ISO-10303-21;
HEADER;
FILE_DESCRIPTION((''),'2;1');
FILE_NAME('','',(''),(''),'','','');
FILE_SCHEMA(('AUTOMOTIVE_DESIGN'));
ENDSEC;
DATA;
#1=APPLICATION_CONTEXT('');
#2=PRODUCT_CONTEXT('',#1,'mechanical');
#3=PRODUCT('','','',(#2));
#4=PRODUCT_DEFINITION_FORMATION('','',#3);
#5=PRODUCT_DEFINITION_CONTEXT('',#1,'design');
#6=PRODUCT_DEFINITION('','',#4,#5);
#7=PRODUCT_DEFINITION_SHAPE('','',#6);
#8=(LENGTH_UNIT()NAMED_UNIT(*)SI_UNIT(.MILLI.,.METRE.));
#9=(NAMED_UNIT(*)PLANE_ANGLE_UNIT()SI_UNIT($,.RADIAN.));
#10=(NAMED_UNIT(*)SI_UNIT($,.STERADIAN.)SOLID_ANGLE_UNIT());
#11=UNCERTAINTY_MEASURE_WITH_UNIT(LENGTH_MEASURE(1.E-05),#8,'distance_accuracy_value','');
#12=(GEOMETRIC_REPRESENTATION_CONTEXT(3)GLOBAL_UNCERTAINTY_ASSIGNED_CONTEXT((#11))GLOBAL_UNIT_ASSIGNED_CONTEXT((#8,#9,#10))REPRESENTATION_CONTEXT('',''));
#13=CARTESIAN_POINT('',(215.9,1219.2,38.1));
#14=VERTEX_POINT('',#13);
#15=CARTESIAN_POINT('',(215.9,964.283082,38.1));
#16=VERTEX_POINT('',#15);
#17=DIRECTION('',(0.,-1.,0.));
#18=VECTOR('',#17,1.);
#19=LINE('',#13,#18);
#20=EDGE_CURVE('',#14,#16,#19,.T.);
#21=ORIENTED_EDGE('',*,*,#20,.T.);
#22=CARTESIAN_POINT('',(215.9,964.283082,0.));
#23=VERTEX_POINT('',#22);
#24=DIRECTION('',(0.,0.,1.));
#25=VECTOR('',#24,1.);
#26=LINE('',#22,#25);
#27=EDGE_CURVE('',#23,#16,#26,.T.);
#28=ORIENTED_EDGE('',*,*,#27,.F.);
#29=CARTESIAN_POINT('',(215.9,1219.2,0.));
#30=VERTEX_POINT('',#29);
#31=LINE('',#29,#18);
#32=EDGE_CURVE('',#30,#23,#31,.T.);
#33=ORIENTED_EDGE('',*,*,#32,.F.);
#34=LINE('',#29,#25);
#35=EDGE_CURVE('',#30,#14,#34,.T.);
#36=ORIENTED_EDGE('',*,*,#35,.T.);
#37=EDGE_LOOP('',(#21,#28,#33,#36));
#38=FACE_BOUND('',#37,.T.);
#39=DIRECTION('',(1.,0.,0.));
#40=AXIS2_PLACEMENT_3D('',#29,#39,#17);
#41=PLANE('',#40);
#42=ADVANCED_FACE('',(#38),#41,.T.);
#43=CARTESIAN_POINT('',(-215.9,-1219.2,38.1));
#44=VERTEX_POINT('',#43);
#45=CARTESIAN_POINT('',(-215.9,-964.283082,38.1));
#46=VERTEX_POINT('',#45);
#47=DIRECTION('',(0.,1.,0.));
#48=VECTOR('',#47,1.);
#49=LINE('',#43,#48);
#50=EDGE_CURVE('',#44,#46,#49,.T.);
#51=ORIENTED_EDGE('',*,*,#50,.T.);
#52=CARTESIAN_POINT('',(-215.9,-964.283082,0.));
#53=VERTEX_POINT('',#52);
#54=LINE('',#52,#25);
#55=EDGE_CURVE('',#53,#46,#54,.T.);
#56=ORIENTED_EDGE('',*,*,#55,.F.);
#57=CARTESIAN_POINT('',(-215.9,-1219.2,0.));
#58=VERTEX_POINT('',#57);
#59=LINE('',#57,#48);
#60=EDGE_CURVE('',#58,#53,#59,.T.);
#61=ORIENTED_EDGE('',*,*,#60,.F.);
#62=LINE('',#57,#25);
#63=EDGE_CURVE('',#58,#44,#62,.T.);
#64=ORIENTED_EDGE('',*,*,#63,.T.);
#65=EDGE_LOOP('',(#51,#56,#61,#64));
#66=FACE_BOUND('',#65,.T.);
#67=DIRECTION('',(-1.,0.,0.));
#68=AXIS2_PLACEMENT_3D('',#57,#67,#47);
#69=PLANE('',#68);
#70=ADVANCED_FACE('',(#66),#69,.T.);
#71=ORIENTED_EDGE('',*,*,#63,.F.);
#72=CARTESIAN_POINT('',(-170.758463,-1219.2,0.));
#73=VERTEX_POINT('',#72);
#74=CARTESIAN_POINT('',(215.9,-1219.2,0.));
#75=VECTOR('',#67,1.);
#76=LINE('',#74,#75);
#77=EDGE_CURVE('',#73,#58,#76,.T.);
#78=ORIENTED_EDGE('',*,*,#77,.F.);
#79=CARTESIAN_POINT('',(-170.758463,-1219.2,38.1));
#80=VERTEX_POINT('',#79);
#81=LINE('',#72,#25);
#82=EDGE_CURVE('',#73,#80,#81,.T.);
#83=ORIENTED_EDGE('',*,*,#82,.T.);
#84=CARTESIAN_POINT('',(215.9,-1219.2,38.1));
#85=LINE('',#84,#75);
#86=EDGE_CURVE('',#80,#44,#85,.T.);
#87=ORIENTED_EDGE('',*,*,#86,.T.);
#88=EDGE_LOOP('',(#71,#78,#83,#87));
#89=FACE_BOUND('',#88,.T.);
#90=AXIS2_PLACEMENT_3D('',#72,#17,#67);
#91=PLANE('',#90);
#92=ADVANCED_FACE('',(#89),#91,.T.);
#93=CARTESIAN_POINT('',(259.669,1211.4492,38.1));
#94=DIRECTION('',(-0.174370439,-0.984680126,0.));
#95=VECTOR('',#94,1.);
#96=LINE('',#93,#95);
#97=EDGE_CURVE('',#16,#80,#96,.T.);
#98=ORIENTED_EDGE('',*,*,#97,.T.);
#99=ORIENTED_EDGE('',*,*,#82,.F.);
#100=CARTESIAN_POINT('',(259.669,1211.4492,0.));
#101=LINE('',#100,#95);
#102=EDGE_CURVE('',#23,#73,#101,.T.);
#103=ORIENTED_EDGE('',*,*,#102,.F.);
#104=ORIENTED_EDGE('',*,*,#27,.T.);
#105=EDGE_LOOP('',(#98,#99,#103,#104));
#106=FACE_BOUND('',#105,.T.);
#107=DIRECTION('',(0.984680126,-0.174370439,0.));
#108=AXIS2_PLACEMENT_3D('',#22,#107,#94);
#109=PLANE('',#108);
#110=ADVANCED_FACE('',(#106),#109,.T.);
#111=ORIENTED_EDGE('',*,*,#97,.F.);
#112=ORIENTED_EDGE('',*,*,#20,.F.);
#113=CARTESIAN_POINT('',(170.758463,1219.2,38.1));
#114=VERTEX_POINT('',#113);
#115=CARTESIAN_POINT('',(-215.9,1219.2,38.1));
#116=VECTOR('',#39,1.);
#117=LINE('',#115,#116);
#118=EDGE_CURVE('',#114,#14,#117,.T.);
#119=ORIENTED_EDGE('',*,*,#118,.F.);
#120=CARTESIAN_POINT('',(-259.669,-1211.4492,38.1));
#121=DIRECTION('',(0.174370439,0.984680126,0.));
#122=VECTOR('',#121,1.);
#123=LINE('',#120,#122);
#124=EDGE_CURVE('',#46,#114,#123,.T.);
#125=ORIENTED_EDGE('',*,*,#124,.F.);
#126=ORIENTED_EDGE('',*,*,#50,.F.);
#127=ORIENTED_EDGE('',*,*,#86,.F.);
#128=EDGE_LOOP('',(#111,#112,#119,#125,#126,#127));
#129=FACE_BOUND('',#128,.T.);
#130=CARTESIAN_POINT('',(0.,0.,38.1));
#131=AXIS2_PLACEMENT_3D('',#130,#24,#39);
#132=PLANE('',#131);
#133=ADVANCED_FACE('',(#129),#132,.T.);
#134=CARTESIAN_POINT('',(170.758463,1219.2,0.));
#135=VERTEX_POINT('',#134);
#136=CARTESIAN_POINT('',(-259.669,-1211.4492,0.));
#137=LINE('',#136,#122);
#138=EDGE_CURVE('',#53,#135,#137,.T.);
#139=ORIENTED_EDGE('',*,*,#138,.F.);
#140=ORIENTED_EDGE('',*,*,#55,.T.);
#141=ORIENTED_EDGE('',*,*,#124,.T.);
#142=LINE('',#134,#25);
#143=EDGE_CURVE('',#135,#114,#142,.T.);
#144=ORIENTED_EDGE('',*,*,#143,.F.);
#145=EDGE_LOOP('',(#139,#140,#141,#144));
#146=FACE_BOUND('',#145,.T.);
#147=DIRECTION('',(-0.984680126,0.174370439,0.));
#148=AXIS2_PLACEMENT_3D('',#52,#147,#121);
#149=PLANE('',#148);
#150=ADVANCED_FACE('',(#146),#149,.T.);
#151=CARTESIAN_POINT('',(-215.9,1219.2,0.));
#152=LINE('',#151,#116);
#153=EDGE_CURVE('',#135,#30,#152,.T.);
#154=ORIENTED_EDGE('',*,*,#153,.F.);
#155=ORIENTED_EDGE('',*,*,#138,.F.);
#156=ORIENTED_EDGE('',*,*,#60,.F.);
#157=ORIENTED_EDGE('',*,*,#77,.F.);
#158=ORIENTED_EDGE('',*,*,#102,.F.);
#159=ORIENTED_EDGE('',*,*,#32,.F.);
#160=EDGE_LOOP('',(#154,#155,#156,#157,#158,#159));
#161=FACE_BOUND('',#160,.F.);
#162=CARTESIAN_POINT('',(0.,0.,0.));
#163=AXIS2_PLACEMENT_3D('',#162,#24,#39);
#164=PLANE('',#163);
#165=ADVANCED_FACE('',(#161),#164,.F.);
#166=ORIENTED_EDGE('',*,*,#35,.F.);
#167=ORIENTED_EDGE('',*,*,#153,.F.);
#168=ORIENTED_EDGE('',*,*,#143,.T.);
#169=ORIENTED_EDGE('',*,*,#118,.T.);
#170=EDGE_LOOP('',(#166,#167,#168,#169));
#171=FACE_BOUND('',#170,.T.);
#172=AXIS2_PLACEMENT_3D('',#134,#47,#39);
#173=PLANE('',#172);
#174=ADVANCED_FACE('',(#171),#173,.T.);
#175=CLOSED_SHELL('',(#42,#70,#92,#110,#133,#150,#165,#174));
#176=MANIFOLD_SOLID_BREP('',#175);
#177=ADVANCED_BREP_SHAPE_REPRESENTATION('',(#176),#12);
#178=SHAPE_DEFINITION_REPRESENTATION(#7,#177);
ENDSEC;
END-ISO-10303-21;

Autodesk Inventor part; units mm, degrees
ref_plane "YZ Plane" through (0, 0, 0) normal (1, 0, 0) x (0, 1, 0)
ref_plane "XZ Plane" through (0, 0, 0) normal (0, 1, 0) x (-1, 0, 0)
ref_plane "XY Plane" through (0, 0, 0) normal (0, 0, 1) x (1, 0, 0)
sketch "Sketch1" plane through (0, 0, 0) normal (0, 0, 1) x (1, 0, 0)
  line L0 (215.9, -1219.2) -> (-215.9, -1219.2)
  line L1 (-215.9, -1219.2) -> (-215.9, 1219.2)
  line L2 (-215.9, 1219.2) -> (215.9, 1219.2)
  line L3 (215.9, 1219.2) -> (215.9, -1219.2)
  line L4 (215.9, -1219.2) -> (-215.9, 1219.2) construction
  line L5 (-215.9, -1219.2) -> (215.9, 1219.2) construction
  line L6 (215.9, 1219.2) -> (-215.9, -1219.2)
  line L7 (-172.131, -1226.9508) -> (-259.669, -1211.4492)
  line L8 (259.669, 1211.4492) -> (172.131, 1226.9508)
  line L9 (259.669, 1211.4492) -> (-172.131, -1226.9508)
  line L10 (-259.669, -1211.4492) -> (172.131, 1226.9508)
  point P0 (0, 0)
  point P1 (-170.7584, -1219.2)
  point P2 (215.9, 964.2829)
  point P3 (170.7584, 1219.2)
  point P4 (-215.9, -964.2829)
  dimension "d0" = 431.8
  dimension "d1" = 2438.4
  dimension "d2" = 88.9
  dimension "d3" = 88.9
extrude "Extrusion1" add sketch "Sketch1" along normal blind 38.1 contours L0 L6 L3 L9 | L1 L10 L2 L6
properties part number "S_2x4x97.494"
